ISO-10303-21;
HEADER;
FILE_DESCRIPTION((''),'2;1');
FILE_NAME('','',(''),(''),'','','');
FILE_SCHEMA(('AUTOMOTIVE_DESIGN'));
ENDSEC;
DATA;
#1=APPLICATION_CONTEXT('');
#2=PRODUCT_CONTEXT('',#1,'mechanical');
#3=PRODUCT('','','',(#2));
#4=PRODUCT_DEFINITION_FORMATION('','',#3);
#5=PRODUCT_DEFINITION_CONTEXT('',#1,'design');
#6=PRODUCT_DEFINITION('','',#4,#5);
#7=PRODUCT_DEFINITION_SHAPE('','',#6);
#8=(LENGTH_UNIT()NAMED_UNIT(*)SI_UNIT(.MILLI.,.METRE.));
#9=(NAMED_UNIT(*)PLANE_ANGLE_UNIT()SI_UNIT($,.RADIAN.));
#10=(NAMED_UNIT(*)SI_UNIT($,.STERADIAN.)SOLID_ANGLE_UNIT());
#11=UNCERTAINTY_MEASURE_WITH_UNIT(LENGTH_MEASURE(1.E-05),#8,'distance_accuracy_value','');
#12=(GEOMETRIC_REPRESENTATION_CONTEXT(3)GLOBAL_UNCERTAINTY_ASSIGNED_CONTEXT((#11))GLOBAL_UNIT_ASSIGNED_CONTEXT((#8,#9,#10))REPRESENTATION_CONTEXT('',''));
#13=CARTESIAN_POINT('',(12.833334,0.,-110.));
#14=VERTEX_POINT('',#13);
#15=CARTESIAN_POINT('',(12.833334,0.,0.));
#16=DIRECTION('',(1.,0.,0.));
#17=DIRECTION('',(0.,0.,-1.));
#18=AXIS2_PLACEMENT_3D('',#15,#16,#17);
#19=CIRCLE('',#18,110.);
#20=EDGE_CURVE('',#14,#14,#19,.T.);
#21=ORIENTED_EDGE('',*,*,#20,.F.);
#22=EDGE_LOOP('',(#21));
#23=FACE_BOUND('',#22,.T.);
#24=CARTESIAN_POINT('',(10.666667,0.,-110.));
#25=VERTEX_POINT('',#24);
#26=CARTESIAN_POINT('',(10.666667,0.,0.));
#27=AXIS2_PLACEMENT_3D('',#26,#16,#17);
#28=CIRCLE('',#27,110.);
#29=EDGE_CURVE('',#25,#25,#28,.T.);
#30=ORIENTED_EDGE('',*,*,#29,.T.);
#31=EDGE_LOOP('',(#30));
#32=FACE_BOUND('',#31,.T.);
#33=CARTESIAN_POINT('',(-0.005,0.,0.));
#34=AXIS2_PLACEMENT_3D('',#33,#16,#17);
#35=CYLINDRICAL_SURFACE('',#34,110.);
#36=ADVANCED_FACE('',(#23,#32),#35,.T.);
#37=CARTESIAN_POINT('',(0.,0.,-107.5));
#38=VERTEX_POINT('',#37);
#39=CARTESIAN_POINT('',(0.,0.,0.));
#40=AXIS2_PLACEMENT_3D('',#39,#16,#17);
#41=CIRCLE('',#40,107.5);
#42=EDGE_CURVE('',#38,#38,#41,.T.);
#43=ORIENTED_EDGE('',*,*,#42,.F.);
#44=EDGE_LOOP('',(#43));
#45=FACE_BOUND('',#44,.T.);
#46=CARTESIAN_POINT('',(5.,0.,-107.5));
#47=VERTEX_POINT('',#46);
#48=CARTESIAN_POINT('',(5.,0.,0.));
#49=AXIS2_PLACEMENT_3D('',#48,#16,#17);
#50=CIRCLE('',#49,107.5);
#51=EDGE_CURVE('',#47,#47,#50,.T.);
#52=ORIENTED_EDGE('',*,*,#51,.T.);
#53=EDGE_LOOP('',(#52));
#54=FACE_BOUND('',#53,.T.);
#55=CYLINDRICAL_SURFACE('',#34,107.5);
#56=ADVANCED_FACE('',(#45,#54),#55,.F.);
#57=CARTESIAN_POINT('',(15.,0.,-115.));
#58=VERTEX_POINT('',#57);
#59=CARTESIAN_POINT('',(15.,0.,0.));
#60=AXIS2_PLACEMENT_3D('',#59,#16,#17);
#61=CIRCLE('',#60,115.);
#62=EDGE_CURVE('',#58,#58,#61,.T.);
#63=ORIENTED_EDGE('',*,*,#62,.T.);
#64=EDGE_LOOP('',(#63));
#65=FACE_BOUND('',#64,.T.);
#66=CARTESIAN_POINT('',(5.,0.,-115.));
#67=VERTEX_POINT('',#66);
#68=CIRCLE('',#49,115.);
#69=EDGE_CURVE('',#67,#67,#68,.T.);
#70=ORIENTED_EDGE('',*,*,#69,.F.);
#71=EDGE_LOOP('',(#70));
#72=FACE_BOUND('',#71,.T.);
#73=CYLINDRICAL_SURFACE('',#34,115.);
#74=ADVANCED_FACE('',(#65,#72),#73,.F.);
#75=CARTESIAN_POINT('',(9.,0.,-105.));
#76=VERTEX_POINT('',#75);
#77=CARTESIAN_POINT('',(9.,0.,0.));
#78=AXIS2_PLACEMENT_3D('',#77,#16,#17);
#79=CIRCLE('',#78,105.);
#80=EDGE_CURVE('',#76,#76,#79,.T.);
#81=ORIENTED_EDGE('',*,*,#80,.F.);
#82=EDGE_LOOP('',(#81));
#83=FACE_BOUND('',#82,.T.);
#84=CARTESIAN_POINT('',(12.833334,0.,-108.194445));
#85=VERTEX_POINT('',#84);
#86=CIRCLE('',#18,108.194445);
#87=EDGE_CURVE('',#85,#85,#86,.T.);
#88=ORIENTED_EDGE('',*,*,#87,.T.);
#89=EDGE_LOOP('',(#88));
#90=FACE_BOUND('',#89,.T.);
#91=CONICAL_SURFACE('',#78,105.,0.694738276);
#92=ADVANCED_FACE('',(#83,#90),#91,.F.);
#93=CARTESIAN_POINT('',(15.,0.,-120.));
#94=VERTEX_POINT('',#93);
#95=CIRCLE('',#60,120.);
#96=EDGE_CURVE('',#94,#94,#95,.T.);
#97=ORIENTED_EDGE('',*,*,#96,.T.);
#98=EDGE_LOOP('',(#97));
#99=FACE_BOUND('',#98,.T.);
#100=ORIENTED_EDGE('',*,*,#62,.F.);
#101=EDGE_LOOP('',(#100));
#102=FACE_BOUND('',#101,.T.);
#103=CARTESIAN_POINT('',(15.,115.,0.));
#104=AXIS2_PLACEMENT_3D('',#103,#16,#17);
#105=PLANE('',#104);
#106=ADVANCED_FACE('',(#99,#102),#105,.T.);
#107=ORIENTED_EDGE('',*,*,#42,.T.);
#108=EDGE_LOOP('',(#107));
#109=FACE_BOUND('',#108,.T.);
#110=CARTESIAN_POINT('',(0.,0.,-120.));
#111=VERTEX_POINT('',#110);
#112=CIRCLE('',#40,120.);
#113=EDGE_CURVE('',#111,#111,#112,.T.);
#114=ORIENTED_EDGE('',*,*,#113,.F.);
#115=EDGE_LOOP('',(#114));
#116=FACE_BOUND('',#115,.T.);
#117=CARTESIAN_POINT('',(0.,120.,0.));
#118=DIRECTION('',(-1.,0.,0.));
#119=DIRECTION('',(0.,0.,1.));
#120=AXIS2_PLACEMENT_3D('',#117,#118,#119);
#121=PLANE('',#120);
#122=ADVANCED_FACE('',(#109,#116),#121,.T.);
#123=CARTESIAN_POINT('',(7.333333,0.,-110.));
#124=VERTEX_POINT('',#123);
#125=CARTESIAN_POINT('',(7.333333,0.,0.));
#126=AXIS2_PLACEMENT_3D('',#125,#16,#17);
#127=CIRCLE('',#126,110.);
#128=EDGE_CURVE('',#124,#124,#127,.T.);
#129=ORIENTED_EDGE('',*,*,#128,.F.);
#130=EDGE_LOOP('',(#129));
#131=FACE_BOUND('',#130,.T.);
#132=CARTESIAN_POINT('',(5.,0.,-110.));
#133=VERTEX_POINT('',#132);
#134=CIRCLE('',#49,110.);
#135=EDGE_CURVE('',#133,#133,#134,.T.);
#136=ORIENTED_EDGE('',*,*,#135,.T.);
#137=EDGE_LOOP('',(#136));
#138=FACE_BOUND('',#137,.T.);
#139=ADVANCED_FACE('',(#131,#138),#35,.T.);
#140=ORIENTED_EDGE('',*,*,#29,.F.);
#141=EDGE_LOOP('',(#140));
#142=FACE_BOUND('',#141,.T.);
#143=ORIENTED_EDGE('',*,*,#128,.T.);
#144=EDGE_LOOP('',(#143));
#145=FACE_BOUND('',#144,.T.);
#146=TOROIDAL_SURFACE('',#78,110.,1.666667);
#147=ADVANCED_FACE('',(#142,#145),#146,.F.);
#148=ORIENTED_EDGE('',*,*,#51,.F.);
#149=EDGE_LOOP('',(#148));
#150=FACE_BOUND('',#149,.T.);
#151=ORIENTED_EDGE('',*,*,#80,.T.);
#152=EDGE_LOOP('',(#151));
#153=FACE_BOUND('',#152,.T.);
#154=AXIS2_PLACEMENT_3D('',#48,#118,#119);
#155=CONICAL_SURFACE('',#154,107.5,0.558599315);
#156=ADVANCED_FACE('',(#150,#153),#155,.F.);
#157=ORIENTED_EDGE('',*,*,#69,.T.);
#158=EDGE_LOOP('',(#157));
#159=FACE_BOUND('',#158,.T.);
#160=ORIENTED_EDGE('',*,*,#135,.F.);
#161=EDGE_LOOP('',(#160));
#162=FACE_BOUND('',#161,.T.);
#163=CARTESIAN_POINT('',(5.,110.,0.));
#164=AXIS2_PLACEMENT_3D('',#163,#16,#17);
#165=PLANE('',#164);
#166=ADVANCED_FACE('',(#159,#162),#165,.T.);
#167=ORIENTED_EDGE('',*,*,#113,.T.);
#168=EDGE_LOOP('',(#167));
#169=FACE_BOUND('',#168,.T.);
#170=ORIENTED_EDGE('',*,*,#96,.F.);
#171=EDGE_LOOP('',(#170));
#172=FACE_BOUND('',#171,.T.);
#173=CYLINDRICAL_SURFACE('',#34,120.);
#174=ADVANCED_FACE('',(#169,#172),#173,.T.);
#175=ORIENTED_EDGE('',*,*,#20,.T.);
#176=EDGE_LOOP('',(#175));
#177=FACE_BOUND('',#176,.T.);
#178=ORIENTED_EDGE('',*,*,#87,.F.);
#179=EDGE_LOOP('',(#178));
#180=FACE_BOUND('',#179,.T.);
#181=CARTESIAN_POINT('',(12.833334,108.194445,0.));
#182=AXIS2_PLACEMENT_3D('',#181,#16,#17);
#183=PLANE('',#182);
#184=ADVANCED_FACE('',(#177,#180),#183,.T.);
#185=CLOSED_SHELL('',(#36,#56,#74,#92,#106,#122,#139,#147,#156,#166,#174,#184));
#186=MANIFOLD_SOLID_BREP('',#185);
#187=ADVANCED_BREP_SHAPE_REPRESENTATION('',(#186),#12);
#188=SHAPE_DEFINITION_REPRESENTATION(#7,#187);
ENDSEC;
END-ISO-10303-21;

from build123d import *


with BuildPart() as part:
    # Sketch1 → Revolve1 (revolve)
    with BuildSketch(Plane.XY):
        with BuildLine():
            Line((15, 120), (0, 120))
            Line((0, 120), (0, 107.5))
            Line((0, 107.5), (5, 107.5))
            Line((5, 107.5), (9, 105))
            Line((9, 105), (12.8333335, 108.194444583))
            Line((12.8333335, 108.194444583), (12.8333335, 110))
            Line((12.8333335, 110), (10.666667, 110))
            ThreePointArc((10.666667, 110), (9, 108.333333), (7.333333, 110))
            Line((7.333333, 110), (5, 110))
            Line((5, 110), (5, 115))
            Line((5, 115), (15, 115))
            Line((15, 115), (15, 120))
        make_face()
    revolve(axis=Axis((-0.005, 0, 0), (1, 0, 0)))


solid = part.part
